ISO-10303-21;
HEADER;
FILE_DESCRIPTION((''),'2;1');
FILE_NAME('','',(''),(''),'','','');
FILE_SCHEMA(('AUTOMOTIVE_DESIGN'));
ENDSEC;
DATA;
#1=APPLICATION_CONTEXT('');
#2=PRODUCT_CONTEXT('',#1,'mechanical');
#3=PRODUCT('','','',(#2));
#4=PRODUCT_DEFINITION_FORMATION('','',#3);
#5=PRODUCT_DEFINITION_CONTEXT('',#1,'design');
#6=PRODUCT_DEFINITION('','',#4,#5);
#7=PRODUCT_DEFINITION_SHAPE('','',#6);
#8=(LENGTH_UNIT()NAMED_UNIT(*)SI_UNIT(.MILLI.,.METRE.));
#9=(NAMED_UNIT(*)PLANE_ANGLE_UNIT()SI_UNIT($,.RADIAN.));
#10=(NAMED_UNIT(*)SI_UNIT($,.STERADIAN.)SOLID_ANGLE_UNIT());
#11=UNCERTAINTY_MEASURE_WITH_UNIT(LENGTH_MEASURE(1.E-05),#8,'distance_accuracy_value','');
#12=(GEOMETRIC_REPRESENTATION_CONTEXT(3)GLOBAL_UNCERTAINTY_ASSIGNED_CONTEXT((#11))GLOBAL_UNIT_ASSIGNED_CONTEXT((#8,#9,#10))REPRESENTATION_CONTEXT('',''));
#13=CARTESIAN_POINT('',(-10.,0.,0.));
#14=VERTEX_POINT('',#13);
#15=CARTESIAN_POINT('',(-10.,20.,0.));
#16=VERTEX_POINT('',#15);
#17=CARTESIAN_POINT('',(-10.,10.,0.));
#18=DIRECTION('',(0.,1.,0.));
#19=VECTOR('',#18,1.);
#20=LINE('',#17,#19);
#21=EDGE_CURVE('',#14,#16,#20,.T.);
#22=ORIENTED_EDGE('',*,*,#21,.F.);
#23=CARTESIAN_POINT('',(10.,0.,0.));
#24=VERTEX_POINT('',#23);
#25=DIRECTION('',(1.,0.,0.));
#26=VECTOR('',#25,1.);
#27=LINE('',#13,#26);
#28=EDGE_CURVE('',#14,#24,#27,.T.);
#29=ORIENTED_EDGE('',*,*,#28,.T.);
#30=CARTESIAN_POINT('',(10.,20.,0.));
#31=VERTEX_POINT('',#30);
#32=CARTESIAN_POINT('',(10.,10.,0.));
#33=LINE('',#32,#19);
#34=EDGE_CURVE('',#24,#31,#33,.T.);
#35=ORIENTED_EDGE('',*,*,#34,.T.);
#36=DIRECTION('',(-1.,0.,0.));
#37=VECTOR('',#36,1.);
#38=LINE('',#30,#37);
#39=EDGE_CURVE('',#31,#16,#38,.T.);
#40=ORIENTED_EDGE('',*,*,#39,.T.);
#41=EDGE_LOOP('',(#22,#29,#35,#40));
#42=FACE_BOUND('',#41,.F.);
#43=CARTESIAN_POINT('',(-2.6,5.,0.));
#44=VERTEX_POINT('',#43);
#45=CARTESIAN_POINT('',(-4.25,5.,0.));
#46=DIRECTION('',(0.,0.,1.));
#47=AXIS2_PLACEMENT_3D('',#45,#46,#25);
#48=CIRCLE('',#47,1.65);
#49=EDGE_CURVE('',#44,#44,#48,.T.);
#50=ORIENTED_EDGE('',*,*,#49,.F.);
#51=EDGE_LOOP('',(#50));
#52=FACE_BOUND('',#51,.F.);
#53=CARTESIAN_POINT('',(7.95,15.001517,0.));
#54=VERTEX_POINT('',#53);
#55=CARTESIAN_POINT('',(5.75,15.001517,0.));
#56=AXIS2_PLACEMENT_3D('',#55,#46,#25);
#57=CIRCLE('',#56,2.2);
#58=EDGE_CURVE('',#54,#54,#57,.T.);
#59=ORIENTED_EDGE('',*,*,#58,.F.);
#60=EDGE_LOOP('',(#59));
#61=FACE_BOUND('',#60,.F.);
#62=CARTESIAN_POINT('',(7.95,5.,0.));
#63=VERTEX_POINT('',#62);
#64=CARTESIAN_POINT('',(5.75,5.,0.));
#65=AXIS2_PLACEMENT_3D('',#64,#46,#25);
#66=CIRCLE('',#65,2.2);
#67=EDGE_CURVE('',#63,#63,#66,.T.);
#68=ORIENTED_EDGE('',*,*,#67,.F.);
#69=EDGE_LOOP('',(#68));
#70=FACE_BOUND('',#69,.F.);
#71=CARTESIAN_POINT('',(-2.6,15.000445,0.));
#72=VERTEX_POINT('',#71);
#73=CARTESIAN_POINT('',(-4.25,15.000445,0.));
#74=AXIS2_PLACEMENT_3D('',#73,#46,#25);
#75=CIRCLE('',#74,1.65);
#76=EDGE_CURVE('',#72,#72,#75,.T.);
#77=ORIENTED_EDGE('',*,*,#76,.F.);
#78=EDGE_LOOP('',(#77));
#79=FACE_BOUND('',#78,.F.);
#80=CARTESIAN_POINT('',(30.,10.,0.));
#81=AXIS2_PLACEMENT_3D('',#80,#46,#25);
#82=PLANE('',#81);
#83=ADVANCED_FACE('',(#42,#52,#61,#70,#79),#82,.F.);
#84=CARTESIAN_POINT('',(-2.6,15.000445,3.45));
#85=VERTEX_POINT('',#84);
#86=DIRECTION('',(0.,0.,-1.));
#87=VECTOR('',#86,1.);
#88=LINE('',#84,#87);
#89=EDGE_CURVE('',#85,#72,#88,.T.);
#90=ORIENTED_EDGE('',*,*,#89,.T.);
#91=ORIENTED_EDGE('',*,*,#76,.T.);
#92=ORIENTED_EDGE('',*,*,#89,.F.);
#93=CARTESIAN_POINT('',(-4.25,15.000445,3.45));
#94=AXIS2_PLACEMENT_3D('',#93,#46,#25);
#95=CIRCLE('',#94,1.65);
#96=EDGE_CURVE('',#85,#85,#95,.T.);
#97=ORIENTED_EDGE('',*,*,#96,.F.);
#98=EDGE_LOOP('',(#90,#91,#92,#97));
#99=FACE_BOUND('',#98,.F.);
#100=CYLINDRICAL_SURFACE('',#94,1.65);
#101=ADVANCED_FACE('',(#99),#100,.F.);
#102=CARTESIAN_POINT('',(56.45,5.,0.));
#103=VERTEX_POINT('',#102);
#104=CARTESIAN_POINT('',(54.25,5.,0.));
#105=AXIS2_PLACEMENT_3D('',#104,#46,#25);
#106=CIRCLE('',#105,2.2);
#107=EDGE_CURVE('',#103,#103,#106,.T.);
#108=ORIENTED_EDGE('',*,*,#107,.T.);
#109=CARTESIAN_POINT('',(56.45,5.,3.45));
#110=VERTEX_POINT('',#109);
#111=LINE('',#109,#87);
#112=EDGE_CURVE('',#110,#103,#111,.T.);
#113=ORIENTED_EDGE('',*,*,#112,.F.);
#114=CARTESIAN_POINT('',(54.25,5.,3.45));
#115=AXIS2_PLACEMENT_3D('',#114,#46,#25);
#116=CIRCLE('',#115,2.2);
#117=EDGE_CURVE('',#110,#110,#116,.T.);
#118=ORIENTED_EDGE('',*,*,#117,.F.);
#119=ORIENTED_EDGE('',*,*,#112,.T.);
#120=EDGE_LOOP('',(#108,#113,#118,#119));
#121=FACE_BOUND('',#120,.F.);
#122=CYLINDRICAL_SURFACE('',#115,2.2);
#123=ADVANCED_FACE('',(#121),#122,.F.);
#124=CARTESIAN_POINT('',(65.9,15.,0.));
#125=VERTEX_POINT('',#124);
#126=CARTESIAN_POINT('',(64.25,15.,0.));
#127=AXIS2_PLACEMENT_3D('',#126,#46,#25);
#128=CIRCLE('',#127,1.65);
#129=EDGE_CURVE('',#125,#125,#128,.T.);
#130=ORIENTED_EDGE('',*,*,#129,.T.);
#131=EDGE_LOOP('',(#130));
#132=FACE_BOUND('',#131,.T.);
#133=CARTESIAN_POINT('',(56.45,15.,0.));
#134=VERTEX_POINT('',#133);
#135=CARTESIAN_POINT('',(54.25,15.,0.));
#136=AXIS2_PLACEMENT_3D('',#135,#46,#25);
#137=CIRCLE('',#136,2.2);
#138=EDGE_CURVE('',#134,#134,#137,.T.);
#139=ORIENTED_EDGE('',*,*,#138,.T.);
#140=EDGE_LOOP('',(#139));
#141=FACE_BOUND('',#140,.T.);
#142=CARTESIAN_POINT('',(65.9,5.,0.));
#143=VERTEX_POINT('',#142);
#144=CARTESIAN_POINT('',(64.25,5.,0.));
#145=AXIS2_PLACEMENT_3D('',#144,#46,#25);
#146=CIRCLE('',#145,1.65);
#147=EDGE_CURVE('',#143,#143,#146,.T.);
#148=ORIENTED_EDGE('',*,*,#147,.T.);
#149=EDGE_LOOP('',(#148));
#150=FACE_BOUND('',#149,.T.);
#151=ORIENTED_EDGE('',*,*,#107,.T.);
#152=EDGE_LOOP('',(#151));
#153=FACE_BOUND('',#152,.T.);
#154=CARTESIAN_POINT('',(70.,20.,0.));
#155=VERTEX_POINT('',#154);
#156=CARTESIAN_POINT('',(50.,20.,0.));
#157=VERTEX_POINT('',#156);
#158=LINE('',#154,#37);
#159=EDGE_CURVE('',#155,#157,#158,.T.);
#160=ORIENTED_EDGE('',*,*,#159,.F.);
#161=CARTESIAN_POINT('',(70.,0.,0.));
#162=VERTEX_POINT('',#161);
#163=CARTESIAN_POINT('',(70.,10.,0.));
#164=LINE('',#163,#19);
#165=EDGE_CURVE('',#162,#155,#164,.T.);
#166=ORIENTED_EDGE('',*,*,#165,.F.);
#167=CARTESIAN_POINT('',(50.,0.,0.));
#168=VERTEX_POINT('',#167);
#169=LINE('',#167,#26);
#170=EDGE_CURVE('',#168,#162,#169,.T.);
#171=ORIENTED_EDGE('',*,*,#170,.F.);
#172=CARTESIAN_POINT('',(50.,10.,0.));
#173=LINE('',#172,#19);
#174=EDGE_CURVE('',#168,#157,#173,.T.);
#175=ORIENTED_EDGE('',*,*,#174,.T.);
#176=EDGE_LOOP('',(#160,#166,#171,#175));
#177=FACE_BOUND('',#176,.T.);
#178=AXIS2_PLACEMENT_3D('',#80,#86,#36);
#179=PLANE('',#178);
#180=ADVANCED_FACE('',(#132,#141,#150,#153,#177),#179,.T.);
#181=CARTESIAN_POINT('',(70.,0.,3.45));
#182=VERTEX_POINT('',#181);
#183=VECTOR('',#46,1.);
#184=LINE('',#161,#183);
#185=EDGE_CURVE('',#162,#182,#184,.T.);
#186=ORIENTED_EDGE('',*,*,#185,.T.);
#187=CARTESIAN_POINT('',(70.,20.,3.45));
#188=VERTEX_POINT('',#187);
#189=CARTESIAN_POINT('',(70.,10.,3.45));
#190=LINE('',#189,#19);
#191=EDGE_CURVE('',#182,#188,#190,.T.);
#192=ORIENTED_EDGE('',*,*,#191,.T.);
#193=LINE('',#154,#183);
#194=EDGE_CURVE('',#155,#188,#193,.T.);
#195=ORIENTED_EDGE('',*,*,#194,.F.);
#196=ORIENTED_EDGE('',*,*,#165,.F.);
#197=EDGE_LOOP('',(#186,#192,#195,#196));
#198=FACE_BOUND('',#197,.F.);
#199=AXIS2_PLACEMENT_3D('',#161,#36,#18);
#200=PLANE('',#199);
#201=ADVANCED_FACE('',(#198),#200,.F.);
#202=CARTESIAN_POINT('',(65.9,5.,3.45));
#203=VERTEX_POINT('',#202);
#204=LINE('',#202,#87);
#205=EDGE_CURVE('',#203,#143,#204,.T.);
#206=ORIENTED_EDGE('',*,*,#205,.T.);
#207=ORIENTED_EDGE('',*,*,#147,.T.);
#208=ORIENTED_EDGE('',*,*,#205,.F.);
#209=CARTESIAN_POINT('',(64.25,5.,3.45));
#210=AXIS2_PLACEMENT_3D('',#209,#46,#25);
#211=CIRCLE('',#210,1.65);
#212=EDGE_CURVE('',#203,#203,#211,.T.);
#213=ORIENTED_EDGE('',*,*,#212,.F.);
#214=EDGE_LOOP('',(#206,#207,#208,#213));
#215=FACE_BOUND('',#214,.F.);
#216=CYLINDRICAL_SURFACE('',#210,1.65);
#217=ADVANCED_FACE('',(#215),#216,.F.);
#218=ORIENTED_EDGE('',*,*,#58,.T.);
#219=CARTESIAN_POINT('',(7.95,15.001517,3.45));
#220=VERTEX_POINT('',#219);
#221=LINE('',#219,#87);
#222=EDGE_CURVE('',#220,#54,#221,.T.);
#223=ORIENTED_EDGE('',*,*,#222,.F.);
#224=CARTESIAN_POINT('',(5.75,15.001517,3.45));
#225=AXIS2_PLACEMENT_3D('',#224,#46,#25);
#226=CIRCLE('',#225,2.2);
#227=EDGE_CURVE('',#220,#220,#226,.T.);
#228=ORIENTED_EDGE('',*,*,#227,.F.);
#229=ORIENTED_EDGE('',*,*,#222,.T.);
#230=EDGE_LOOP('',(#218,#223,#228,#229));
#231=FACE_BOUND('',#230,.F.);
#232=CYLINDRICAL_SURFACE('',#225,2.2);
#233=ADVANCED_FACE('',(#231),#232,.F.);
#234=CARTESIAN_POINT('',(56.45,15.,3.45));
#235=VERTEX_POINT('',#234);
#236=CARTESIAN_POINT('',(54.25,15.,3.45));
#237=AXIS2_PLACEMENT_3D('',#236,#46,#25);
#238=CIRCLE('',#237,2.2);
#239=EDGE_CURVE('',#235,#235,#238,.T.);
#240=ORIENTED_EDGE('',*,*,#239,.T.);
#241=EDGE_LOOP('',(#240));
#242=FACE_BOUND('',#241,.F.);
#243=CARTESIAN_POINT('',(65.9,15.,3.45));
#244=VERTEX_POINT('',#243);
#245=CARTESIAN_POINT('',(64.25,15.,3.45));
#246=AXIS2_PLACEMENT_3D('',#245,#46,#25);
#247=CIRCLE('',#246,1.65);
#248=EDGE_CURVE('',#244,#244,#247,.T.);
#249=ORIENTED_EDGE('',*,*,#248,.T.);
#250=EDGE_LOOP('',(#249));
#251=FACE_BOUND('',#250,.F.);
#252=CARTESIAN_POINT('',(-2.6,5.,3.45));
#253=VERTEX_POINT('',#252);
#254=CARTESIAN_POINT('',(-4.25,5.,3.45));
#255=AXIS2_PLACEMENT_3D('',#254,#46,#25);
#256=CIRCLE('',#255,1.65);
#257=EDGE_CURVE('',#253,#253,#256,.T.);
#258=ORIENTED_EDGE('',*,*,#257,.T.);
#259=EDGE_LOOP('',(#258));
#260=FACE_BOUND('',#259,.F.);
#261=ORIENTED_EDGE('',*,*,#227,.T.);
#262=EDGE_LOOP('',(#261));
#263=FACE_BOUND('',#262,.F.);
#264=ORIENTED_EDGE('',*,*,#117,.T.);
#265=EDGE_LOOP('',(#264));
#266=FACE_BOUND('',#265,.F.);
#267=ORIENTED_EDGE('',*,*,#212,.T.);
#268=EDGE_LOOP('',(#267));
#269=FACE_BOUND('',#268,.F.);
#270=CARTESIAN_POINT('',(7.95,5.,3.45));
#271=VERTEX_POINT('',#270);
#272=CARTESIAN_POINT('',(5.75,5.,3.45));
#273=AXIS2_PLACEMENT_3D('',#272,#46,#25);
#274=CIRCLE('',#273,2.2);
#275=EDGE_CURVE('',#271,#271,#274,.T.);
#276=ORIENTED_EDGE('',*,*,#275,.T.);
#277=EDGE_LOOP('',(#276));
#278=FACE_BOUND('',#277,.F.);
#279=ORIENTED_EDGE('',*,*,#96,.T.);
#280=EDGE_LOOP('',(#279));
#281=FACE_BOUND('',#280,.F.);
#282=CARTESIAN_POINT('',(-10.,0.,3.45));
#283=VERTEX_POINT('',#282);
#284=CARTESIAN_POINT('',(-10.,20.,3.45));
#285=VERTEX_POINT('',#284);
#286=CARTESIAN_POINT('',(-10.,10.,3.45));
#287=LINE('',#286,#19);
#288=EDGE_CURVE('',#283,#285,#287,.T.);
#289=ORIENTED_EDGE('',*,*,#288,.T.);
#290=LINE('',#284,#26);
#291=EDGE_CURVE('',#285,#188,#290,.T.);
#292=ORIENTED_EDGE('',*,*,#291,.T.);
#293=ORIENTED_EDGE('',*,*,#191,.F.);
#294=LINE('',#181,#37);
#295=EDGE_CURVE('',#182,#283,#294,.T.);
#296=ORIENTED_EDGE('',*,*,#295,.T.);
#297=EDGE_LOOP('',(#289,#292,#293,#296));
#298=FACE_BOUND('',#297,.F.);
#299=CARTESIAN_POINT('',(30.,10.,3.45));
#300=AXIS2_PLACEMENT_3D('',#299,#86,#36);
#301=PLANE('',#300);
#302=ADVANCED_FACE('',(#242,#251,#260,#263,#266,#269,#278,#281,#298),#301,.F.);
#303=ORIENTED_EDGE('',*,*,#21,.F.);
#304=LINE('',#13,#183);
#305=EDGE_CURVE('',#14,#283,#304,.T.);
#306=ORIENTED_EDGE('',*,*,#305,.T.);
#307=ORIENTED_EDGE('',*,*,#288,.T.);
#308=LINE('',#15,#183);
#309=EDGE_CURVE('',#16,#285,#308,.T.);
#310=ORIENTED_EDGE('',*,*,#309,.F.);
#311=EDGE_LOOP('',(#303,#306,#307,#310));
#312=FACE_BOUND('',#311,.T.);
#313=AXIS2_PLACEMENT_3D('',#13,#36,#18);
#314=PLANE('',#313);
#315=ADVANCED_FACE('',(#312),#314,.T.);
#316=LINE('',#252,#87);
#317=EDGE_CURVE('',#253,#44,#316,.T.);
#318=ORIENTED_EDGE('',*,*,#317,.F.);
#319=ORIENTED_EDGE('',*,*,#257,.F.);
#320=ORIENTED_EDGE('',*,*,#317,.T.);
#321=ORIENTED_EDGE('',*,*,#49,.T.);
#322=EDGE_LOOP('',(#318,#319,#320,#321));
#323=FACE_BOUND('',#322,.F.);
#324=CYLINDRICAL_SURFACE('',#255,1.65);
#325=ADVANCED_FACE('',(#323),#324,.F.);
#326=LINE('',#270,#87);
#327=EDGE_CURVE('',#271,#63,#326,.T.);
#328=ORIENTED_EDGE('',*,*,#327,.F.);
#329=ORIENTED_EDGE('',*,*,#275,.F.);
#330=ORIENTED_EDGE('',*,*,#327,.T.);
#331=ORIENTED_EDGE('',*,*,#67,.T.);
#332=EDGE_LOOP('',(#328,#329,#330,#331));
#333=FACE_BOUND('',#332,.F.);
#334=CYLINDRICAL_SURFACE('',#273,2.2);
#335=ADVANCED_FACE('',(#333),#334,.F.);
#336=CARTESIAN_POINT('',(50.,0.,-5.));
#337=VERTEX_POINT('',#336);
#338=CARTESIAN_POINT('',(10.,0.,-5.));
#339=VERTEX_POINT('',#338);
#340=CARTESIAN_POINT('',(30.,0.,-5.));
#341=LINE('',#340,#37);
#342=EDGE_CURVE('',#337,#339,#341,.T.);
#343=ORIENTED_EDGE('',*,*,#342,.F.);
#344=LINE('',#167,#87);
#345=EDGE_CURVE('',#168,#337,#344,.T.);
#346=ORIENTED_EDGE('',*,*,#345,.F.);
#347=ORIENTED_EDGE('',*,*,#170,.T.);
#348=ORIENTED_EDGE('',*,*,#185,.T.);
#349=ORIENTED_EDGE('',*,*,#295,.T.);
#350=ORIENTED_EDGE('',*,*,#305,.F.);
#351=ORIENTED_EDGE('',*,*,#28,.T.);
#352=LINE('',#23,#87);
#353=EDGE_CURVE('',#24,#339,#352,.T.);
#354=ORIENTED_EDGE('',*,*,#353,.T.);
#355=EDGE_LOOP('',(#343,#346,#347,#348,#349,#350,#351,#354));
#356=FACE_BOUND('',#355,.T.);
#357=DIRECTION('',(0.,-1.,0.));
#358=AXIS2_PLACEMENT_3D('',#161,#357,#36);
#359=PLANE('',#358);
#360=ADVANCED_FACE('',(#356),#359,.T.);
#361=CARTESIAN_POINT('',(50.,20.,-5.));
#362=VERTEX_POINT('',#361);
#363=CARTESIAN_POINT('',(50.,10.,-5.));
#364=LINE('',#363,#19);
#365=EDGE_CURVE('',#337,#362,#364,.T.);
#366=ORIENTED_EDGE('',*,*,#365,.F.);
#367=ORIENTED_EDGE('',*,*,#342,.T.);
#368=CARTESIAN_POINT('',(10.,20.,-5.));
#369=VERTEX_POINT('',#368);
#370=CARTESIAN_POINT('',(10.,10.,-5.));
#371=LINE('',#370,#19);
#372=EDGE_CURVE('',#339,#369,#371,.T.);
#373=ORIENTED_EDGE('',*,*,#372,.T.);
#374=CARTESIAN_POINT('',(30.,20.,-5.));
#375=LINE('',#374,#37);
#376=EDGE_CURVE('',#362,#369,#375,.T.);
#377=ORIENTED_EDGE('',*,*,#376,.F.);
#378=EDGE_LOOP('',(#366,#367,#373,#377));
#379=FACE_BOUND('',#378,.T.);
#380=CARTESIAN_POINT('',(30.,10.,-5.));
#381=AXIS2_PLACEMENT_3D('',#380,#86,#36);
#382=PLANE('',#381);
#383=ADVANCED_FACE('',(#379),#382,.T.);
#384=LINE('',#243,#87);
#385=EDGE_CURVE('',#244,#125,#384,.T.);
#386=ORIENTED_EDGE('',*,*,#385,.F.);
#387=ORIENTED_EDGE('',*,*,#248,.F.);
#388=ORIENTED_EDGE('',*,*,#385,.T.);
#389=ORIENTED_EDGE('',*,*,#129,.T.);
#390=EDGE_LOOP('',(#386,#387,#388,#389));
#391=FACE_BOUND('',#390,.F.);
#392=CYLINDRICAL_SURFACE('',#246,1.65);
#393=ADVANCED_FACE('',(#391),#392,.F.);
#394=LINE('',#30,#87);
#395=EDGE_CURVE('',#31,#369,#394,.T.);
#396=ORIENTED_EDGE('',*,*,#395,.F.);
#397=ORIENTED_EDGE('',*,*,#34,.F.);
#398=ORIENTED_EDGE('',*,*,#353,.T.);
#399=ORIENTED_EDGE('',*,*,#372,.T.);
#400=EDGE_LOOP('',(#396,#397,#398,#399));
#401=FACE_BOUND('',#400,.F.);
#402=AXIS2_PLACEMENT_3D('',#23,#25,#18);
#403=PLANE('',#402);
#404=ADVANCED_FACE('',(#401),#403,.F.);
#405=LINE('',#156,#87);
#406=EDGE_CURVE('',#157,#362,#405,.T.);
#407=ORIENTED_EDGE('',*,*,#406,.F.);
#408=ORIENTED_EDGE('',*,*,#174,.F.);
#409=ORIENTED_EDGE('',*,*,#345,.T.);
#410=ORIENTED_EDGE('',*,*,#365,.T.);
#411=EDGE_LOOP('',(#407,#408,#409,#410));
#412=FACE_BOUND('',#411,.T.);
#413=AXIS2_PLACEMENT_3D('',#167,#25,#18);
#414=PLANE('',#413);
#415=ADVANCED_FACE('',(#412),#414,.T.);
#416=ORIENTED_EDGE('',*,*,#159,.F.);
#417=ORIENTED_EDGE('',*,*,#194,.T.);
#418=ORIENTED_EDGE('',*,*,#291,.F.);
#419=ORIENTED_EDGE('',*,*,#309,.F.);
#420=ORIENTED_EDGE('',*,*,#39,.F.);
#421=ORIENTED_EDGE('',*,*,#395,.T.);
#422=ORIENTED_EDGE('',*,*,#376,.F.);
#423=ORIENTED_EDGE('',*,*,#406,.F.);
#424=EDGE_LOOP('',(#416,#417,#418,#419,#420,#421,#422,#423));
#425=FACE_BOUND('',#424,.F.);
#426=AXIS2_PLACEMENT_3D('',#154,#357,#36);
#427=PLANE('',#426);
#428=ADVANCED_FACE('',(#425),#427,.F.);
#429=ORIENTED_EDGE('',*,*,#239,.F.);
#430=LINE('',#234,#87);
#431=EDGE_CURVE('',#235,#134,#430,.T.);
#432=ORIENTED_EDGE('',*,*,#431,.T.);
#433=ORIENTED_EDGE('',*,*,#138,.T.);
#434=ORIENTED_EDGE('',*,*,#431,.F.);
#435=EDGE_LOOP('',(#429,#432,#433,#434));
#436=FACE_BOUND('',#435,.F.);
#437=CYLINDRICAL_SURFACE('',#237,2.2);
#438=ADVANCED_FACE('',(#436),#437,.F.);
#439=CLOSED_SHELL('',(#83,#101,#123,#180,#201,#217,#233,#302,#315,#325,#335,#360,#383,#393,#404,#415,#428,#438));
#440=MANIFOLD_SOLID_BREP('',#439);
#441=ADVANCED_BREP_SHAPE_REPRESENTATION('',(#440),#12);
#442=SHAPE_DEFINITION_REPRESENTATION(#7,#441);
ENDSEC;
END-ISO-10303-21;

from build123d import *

# Parameters (mm, degrees)
SKETCH_1_W          = 60
SKETCH_1_H          = 20
EXTRUDE_1_DEPTH     = 3.45
SKETCH_2_W          = 40
SKETCH_2_H          = 20
EXTRUDE_2_DEPTH     = 5
SKETCH_4_W          = 80
SKETCH_4_H          = 20
EXTRUDE_3_DEPTH     = 3.45
SKETCH_7_R          = 2.2
SKETCH_7_R_2        = 1.65
CUT_EXTRUDE_1_DEPTH = 3.45


with BuildPart() as part:
    # 草图1 → 凸台-拉伸1 (new body)
    with BuildSketch(Plane.XY):
        with Locations((30, 10)):
            Rectangle(SKETCH_1_W, SKETCH_1_H)
    extrude(amount=EXTRUDE_1_DEPTH)

    # 草图2 → 凸台-拉伸2 (add)
    with BuildSketch(Plane(origin=(0, 0, 0), x_dir=(-1, 0, 0), z_dir=(0, 0, -1))):
        with Locations((-30, 10)):
            Rectangle(SKETCH_2_W, SKETCH_2_H)
    extrude(amount=EXTRUDE_2_DEPTH)

    # 草图4 → 凸台-拉伸3 (add)
    with BuildSketch(Plane(origin=(0, 0, 0), x_dir=(-1, 0, 0), z_dir=(0, 0, -1))):
        with Locations((-30, 10)):
            Rectangle(SKETCH_4_W, SKETCH_4_H)
    extrude(amount=-EXTRUDE_3_DEPTH)

    # 草图7 → 切除-拉伸1 (cut)
    with BuildSketch(Plane.XY.offset(3.45)):
        with Locations((5.75, 15.001516812)):
            Circle(SKETCH_7_R)
        with Locations((54.25, 15)):
            Circle(SKETCH_7_R)
        with Locations((54.25, 5)):
            Circle(SKETCH_7_R)
        with Locations((5.75, 5)):
            Circle(SKETCH_7_R)
        with Locations((-4.249999943, 15.000444876)):
            Circle(SKETCH_7_R_2)
        with Locations((-4.249999943, 5)):
            Circle(SKETCH_7_R_2)
        with Locations((64.25, 5)):
            Circle(SKETCH_7_R_2)
        with Locations((64.25, 15)):
            Circle(SKETCH_7_R_2)
    extrude(amount=-CUT_EXTRUDE_1_DEPTH, mode=Mode.SUBTRACT)


solid = part.part
